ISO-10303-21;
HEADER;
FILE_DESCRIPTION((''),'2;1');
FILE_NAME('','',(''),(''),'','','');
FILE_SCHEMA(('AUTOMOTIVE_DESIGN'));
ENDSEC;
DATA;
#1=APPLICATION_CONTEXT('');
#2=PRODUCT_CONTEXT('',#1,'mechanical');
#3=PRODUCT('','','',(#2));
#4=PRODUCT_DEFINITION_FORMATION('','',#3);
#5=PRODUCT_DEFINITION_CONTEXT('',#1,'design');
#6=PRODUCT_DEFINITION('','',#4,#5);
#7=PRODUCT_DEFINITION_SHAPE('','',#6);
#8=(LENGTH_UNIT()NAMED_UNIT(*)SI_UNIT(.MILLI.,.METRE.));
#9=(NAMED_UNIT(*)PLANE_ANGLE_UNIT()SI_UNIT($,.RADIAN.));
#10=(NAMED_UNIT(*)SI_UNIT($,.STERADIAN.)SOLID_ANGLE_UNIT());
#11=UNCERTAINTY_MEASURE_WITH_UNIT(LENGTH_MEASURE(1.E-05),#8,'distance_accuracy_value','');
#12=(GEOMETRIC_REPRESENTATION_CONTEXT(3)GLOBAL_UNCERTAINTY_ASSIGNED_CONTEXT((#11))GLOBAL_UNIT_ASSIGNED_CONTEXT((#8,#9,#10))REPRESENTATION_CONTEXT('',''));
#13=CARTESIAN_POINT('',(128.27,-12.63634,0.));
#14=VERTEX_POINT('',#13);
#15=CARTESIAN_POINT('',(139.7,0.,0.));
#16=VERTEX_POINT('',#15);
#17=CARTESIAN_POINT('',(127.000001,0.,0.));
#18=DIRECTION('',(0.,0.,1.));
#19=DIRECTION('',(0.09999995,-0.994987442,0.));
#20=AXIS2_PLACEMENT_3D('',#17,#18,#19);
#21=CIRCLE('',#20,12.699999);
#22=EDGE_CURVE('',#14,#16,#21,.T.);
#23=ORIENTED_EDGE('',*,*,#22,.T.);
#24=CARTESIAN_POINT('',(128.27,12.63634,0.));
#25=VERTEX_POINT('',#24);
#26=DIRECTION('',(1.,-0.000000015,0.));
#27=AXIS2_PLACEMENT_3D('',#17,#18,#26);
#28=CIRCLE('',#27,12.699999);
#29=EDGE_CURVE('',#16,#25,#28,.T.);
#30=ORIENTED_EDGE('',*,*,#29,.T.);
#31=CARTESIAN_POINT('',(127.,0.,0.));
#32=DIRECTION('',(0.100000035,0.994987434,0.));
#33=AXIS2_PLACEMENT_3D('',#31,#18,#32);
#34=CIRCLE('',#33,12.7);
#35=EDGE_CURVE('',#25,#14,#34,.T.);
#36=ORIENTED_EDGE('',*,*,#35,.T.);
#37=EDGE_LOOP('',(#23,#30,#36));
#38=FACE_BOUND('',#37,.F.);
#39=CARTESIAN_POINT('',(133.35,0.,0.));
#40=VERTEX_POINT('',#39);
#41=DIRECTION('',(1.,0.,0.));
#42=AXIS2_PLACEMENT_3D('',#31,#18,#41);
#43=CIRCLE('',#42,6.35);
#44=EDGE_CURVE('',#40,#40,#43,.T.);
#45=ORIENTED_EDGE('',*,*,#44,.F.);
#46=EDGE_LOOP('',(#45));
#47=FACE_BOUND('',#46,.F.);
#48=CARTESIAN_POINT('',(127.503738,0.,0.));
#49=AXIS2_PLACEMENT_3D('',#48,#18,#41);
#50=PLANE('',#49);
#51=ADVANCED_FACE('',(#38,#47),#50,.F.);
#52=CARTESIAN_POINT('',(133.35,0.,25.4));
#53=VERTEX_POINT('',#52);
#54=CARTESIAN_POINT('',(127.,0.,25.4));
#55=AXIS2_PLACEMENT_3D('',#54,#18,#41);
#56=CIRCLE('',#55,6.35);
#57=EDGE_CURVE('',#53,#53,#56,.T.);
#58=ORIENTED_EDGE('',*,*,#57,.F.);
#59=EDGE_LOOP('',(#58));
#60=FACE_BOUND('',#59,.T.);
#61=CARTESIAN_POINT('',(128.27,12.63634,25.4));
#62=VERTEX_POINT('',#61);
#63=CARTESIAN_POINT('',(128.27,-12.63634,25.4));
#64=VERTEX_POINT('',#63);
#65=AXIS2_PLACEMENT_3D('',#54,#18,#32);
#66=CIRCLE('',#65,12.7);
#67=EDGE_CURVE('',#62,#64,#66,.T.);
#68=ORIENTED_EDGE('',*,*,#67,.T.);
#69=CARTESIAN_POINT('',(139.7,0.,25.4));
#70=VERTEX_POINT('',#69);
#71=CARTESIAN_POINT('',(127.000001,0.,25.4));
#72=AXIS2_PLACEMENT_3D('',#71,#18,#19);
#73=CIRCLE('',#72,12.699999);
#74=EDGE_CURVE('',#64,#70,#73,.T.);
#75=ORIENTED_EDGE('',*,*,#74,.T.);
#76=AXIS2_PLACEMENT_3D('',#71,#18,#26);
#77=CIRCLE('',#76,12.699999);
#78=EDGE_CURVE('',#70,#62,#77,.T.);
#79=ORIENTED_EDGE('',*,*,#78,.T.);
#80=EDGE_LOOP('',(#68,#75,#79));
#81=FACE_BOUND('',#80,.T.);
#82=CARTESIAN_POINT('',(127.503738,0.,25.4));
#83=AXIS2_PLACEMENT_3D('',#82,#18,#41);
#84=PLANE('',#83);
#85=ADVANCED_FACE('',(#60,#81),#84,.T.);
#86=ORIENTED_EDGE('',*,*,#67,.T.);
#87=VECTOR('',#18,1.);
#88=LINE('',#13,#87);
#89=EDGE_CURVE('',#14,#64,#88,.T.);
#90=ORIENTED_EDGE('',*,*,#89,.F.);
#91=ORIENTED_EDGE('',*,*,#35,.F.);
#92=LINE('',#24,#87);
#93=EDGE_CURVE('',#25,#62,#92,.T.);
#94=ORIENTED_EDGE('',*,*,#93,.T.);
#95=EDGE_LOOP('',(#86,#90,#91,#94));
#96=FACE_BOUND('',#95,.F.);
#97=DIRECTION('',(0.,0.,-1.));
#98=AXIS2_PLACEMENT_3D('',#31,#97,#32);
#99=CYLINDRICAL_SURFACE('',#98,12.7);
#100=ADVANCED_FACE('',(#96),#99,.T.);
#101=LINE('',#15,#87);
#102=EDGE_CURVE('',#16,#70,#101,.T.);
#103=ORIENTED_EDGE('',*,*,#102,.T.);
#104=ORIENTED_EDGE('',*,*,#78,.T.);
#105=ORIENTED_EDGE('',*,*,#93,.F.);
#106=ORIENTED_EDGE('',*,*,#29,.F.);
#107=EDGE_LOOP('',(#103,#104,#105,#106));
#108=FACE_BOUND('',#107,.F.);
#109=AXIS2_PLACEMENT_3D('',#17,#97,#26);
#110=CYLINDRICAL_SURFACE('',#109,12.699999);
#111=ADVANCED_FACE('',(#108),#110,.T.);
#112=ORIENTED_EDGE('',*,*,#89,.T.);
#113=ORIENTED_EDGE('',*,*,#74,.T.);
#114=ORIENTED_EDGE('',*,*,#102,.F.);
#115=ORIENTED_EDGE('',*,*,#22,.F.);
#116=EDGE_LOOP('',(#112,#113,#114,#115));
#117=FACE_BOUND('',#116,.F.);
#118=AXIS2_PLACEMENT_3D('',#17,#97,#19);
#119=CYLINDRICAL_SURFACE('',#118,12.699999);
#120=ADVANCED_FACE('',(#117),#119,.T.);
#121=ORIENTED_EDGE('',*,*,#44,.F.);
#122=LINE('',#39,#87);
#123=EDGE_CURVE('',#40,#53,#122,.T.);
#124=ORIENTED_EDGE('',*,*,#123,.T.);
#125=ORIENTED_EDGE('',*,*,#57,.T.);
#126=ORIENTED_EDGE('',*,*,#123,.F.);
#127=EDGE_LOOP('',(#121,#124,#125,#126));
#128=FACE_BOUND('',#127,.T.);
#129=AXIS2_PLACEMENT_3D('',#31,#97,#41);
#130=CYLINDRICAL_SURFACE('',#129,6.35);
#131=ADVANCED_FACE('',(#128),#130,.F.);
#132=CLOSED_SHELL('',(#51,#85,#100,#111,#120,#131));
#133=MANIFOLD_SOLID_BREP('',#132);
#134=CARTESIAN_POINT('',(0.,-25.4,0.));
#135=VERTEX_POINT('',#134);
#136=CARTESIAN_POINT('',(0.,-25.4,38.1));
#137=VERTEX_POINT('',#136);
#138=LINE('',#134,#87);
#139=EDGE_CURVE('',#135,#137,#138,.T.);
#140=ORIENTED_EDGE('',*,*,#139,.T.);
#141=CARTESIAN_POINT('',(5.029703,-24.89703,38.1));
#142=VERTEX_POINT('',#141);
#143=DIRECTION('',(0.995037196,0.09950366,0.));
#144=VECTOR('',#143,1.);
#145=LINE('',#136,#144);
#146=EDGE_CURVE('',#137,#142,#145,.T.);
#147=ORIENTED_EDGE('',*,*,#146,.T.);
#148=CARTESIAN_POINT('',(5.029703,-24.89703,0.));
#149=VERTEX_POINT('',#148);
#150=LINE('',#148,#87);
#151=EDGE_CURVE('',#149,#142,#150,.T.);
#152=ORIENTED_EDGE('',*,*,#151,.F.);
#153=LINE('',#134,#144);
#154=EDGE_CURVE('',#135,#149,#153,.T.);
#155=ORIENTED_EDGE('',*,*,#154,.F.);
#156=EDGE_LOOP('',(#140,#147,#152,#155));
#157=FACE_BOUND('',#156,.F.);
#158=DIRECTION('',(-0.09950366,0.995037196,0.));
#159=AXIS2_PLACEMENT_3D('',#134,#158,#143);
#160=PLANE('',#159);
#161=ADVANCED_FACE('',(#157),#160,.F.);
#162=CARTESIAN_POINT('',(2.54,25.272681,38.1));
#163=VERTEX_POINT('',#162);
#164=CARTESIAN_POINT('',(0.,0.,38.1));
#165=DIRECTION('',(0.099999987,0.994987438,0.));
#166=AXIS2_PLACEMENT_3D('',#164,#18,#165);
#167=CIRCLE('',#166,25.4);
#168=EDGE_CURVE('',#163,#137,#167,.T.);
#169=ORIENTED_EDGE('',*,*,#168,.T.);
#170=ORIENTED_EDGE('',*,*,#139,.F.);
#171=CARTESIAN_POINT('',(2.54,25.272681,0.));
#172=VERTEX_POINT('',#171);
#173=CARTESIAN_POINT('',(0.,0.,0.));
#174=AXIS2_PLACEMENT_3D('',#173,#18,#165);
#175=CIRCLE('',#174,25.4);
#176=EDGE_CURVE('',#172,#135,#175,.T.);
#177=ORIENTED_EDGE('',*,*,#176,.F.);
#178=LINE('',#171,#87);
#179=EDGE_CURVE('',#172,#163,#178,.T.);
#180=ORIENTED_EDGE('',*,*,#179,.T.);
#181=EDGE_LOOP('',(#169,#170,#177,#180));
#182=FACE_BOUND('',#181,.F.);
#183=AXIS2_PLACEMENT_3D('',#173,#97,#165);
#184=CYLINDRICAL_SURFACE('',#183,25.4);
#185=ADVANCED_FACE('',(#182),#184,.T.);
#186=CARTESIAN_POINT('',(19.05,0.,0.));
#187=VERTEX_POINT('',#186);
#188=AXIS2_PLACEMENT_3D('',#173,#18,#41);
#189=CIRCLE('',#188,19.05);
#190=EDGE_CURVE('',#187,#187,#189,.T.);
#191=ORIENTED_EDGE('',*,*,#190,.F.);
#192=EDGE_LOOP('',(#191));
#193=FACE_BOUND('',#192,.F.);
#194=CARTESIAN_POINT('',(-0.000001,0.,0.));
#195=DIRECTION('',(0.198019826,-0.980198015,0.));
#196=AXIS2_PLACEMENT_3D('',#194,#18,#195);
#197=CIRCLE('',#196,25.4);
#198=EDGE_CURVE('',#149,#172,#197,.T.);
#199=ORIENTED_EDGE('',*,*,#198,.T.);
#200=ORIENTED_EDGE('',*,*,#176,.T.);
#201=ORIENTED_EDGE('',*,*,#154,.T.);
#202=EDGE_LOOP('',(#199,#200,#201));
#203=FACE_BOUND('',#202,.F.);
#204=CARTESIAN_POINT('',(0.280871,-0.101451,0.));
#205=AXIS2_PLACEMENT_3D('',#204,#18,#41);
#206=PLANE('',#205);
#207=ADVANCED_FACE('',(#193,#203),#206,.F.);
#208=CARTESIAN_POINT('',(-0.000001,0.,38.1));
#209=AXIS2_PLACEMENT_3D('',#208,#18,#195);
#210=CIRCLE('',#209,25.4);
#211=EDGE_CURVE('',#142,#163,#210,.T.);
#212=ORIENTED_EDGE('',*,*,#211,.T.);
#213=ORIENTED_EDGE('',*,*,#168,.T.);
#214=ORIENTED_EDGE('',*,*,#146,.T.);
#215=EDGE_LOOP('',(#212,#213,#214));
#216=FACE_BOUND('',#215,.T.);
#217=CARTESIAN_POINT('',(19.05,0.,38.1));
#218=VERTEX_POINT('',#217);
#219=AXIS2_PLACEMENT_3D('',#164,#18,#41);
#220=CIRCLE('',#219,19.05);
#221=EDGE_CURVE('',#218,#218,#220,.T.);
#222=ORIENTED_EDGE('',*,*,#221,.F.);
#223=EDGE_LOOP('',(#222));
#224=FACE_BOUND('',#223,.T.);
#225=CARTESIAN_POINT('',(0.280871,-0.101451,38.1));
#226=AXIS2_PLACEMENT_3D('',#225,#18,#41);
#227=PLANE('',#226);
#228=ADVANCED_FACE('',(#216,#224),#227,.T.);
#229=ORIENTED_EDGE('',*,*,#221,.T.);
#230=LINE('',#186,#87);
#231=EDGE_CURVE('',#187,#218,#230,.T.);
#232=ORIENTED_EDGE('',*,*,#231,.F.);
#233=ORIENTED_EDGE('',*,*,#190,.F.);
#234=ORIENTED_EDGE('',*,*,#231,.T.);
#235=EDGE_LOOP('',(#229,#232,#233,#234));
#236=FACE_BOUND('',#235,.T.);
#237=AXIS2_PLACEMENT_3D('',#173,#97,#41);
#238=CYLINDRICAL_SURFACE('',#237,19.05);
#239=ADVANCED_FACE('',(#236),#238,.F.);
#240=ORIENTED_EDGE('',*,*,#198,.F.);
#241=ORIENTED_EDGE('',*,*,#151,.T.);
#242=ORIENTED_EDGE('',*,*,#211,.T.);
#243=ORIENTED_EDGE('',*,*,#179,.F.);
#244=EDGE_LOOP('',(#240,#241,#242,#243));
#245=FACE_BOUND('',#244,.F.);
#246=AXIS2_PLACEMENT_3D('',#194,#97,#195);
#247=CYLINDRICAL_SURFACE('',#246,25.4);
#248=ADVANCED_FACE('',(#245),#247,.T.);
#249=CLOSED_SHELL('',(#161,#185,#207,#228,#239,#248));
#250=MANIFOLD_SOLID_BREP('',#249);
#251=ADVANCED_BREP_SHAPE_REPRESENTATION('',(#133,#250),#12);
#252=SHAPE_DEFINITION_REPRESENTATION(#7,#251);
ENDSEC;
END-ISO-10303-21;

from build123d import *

# Parameters (mm, degrees)
F0_R     = 19.05
F1_DEPTH = 38.1
F0_R_2   = 6.35
F2_DEPTH = 25.4


with BuildPart() as f1:
    # F0 (on Top) → F1 (new body)
    with BuildSketch(Plane.XY):
        with BuildLine():
            Line((0, -25.4), (5.029703, -24.89703))
            ThreePointArc((5.029703, -24.89703), (25.368781, 1.258941), (2.54, 25.272681))
            ThreePointArc((2.54, 25.272681), (-25.36815, 1.271594), (0, -25.4))
        make_face()
        Circle(F0_R, mode=Mode.SUBTRACT)
    extrude(amount=F1_DEPTH)


with BuildPart() as f2:
    # F0 (on Top) → F2 (new body)
    with BuildSketch(Plane.XY):
        with BuildLine():
            ThreePointArc((139.7, 0), (136.418572, 8.519419), (128.27, 12.63634))
            ThreePointArc((128.27, 12.63634), (114.3, 0), (128.27, -12.63634))
            ThreePointArc((128.27, -12.63634), (136.418572, -8.519419), (139.7, 0))
        make_face()
        with Locations((127, 0)):
            Circle(F0_R_2, mode=Mode.SUBTRACT)
    extrude(amount=F2_DEPTH)


solid = Compound([f1.part, f2.part])
